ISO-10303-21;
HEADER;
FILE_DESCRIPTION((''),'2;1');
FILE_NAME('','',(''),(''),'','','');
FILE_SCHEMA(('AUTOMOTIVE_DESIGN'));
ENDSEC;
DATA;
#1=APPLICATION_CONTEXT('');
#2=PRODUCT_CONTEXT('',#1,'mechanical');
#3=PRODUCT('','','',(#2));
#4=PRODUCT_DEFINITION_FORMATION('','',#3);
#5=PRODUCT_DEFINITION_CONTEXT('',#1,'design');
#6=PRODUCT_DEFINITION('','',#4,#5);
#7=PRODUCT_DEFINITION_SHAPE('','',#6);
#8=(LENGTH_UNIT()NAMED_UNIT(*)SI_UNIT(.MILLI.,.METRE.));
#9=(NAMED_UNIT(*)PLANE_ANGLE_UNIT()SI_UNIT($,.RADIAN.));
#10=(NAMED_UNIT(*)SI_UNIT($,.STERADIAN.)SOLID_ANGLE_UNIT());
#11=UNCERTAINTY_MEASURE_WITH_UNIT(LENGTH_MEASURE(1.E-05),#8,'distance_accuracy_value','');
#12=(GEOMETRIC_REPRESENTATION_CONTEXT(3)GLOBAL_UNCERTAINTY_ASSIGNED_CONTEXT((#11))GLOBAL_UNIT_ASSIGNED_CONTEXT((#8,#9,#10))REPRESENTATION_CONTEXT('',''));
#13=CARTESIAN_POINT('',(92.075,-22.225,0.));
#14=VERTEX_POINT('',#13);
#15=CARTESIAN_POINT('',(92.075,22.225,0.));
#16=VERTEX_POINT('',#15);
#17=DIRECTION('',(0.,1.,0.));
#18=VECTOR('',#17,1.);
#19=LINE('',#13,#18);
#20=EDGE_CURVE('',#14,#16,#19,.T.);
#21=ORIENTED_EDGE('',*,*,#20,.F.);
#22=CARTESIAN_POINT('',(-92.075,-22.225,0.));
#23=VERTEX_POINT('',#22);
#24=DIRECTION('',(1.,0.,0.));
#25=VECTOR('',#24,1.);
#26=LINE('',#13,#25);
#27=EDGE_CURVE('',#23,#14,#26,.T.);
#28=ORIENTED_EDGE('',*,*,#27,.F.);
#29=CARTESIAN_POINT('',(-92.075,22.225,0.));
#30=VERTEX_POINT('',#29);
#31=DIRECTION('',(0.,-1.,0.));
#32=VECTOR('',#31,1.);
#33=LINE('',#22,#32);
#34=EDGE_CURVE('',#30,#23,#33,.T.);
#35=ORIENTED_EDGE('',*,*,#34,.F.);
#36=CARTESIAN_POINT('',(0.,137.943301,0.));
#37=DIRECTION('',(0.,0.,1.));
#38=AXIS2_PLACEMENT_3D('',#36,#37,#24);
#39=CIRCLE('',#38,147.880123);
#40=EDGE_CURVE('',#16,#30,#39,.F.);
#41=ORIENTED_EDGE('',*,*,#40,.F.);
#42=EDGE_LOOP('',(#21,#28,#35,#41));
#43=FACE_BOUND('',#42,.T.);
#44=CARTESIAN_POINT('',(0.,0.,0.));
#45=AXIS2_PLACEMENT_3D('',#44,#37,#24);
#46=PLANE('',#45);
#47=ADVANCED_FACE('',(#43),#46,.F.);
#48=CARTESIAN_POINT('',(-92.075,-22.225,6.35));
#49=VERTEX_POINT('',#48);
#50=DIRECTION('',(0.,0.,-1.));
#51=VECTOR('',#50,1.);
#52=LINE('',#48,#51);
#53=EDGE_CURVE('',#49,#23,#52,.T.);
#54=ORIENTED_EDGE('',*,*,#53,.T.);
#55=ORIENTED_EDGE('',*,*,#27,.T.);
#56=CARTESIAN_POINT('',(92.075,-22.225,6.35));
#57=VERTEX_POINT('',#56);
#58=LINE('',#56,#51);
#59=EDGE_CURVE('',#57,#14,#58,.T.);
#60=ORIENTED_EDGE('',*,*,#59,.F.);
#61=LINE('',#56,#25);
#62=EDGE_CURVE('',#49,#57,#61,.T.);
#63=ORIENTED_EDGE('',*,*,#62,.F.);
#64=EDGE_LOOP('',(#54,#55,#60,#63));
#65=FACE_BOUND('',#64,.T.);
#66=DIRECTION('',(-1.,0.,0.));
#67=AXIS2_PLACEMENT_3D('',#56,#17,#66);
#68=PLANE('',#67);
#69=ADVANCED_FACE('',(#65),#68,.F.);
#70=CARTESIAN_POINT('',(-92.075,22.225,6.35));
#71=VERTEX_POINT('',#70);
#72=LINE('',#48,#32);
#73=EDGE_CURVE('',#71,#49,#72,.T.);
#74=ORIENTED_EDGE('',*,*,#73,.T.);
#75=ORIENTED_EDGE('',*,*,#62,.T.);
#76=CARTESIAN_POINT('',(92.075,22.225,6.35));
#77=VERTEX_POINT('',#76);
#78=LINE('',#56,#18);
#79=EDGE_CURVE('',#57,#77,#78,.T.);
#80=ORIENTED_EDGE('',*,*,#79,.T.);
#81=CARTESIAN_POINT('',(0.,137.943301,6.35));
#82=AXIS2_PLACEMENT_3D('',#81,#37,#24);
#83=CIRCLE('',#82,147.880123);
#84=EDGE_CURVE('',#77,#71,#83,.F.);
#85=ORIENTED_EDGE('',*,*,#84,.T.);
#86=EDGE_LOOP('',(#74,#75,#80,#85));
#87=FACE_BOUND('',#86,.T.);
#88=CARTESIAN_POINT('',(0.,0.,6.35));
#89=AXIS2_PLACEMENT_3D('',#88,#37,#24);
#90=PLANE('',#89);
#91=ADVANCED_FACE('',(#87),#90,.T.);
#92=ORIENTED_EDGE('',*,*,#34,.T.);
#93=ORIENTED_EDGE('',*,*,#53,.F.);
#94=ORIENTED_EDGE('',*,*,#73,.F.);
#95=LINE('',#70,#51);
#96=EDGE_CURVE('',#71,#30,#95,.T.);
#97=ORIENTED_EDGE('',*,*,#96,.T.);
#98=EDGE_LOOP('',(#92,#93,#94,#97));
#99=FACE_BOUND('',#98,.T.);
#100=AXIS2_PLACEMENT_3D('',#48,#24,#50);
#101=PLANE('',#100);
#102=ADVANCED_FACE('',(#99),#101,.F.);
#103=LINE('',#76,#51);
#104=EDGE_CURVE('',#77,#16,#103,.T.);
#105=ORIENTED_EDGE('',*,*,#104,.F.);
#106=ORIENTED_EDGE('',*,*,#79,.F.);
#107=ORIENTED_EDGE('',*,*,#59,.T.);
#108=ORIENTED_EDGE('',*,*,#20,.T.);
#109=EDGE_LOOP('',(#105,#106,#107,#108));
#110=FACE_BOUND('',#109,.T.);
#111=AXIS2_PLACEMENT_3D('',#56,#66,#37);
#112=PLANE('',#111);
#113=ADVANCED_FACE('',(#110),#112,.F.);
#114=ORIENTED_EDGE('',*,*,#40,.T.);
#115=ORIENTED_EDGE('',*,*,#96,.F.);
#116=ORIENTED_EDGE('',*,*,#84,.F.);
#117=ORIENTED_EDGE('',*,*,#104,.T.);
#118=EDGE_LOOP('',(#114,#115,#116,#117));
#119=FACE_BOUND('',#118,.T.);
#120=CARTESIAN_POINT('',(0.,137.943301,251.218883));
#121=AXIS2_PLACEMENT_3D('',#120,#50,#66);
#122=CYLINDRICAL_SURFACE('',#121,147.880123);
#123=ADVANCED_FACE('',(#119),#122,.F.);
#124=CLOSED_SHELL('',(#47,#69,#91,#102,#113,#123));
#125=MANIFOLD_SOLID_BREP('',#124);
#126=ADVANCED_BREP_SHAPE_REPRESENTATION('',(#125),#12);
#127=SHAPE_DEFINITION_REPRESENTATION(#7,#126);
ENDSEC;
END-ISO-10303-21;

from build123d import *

# Parameters (mm, degrees)
SKETCH1_W               = 184.15
SKETCH1_H               = 44.45
BOSS_EXTRUDE1_DEPTH     = 6.35
CUT_EXTRUDE1_DEPTH      = 1
CUT_EXTRUDE1_DEPTH_BACK = 7.35


with BuildPart() as part:
    # Sketch1 → Boss-Extrude1 (new body)
    with BuildSketch(Plane.XY):
        Rectangle(SKETCH1_W, SKETCH1_H)
    extrude(amount=BOSS_EXTRUDE1_DEPTH)

    # Sketch2 → Cut-Extrude1 (cut, two sides)
    with BuildSketch(Plane.XY.offset(6.35)) as cut_extrude1_sk:
        with BuildLine():
            Line((-396.377116698, 264.352797226), (-92.075, 22.225))
            ThreePointArc((-92.075, 22.225), (0, -9.936822044), (92.075, 22.225))
            Line((92.075, 22.225), (396.377116698, 264.352797226))
            Line((396.377116698, 264.352797226), (396.377116698, 1042.107638847))
            Line((396.377116698, 1042.107638847), (-396.377116698, 1042.107638847))
            Line((-396.377116698, 1042.107638847), (-396.377116698, 264.352797226))
        make_face()
    extrude(amount=CUT_EXTRUDE1_DEPTH, mode=Mode.SUBTRACT)
    extrude(cut_extrude1_sk.sketch, amount=-CUT_EXTRUDE1_DEPTH_BACK, mode=Mode.SUBTRACT)


solid = part.part
